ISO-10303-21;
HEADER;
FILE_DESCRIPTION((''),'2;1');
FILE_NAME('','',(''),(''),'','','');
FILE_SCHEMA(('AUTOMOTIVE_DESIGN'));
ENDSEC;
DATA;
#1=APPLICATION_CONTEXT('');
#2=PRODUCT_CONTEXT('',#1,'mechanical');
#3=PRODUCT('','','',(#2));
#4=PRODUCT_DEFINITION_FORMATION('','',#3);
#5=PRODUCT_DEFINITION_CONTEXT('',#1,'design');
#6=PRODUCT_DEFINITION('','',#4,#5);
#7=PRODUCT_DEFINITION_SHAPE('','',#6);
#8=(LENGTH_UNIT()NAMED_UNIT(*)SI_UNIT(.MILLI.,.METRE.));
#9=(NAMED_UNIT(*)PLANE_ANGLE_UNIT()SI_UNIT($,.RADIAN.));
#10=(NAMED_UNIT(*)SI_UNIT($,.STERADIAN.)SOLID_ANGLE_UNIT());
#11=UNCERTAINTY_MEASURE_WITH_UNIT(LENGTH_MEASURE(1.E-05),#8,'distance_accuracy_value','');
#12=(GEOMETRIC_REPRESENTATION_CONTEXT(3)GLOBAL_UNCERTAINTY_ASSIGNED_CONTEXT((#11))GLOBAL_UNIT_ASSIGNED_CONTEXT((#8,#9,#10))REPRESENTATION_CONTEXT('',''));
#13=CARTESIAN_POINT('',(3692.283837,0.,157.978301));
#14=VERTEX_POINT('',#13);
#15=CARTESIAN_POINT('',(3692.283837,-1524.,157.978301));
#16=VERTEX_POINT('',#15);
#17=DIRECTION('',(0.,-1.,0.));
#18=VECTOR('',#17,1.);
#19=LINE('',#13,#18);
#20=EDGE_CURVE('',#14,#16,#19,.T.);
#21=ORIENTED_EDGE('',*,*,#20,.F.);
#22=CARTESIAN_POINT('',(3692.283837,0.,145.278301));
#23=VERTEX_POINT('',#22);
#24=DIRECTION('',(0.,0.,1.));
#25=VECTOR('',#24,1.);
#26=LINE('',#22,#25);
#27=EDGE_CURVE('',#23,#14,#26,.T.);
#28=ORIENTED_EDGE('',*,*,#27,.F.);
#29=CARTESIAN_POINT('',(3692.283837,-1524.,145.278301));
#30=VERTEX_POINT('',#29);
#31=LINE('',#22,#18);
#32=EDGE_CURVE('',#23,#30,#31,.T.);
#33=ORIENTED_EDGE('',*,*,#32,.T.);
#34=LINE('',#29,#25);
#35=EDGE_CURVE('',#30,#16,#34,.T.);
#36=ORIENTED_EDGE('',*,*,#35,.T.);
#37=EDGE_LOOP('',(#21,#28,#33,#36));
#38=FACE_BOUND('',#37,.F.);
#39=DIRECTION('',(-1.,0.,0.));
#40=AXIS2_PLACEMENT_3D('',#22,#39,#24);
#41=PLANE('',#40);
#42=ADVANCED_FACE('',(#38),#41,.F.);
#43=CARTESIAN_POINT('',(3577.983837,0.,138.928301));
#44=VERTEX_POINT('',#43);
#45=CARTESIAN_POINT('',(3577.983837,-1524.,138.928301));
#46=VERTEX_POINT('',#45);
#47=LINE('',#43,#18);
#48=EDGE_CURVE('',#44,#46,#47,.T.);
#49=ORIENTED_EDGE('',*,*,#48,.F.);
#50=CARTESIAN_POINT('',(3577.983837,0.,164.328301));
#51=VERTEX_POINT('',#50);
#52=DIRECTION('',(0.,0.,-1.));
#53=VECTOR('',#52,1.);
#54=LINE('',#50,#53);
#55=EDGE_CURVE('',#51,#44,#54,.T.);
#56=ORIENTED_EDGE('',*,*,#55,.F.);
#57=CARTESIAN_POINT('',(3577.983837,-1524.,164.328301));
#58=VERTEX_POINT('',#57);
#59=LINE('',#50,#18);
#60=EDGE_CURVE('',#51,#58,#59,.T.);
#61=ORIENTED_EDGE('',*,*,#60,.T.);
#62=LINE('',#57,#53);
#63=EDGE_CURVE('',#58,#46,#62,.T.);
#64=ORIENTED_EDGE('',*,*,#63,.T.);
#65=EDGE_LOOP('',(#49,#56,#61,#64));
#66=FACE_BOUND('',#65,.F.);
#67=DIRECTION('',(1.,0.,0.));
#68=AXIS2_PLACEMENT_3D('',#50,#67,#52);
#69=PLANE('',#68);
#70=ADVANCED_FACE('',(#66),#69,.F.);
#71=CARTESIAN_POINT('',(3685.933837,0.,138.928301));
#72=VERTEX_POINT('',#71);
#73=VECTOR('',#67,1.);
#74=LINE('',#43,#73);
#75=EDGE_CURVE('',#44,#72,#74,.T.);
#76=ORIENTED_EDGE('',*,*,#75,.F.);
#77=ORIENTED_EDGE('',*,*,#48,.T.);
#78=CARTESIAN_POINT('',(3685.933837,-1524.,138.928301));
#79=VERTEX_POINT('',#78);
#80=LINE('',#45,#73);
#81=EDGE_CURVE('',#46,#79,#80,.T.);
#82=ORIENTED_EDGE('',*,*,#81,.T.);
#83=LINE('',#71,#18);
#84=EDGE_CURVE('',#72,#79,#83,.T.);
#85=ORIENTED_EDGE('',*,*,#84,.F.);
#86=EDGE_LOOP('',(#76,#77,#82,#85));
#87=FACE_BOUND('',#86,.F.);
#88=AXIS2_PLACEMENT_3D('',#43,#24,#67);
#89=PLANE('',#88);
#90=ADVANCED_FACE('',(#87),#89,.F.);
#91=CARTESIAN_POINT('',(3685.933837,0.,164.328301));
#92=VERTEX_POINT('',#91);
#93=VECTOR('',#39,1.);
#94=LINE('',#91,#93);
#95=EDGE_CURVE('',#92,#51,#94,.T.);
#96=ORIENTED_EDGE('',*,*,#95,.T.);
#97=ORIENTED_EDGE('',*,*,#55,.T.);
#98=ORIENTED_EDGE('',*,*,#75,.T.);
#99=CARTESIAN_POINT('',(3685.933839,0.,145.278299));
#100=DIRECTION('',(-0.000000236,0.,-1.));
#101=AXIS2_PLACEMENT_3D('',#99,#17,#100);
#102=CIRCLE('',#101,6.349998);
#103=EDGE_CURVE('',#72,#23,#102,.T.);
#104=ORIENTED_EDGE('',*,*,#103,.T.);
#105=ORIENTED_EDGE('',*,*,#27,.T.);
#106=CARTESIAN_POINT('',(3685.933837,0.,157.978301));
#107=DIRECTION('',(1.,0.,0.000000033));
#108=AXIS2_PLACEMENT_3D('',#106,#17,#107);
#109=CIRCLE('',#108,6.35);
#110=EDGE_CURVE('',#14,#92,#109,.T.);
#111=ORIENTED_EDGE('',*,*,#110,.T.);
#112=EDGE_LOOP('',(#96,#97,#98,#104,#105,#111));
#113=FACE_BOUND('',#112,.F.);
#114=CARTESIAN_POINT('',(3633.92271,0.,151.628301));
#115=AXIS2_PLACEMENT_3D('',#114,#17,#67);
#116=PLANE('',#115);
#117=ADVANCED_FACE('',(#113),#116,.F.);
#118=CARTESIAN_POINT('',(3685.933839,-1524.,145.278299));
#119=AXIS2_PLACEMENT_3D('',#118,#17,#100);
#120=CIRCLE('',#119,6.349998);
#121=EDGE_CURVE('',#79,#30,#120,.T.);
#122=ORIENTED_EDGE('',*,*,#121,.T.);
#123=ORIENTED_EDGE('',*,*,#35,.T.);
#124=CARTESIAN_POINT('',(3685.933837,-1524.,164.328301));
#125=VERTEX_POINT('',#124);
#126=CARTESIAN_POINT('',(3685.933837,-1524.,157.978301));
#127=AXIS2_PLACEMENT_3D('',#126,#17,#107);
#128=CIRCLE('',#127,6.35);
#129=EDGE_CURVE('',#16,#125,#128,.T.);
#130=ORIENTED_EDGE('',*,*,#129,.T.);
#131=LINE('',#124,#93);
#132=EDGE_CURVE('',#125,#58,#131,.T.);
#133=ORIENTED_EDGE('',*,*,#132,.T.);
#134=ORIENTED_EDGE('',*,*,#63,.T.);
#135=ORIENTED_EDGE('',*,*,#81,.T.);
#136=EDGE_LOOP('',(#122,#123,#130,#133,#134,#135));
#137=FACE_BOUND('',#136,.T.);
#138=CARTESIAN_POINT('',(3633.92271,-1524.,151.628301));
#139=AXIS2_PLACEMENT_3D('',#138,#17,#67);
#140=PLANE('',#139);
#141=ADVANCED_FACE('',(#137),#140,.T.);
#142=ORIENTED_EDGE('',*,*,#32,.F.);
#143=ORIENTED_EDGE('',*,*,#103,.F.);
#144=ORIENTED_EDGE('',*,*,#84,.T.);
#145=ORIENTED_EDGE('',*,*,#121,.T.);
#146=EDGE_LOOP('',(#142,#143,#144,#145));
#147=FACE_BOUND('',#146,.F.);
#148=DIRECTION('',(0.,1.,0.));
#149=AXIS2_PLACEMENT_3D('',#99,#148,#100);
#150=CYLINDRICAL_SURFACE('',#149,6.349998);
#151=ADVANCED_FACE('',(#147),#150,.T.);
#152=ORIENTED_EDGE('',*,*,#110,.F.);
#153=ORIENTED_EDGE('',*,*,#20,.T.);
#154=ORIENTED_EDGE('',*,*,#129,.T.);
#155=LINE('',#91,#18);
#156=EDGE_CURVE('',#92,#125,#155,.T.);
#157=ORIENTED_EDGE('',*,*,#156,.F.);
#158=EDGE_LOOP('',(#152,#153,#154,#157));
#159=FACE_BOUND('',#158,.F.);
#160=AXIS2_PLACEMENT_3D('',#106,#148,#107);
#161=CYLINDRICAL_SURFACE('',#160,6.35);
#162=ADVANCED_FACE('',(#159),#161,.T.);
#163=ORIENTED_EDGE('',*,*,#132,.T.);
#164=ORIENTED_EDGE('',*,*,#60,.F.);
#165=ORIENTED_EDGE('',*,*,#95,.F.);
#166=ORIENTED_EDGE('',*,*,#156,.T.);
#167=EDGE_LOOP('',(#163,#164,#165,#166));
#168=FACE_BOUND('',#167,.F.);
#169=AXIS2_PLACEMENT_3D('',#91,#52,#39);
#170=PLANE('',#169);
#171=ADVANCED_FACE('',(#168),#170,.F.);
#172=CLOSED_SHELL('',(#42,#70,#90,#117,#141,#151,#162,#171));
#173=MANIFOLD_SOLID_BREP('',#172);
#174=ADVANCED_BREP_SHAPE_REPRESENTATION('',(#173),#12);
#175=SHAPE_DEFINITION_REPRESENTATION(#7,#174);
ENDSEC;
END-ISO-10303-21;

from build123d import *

# Parameters (mm, degrees)
F1_DEPTH = 1524


with BuildPart() as f1:
    # F0 (on Front) → F1 (new body)
    with BuildSketch(Plane.XZ):
        with BuildLine():
            Line((3577.983837, 164.328301), (3577.983837, 138.928301))
            Line((3577.983837, 138.928301), (3685.933837, 138.928301))
            ThreePointArc((3685.933837, 138.928301), (3690.423965, 140.788172), (3692.283837, 145.278301))
            Line((3692.283837, 145.278301), (3692.283837, 157.978301))
            ThreePointArc((3692.283837, 157.978301), (3690.423965, 162.468429), (3685.933837, 164.328301))
            Line((3685.933837, 164.328301), (3577.983837, 164.328301))
        make_face()
    extrude(amount=F1_DEPTH)


solid = f1.part
